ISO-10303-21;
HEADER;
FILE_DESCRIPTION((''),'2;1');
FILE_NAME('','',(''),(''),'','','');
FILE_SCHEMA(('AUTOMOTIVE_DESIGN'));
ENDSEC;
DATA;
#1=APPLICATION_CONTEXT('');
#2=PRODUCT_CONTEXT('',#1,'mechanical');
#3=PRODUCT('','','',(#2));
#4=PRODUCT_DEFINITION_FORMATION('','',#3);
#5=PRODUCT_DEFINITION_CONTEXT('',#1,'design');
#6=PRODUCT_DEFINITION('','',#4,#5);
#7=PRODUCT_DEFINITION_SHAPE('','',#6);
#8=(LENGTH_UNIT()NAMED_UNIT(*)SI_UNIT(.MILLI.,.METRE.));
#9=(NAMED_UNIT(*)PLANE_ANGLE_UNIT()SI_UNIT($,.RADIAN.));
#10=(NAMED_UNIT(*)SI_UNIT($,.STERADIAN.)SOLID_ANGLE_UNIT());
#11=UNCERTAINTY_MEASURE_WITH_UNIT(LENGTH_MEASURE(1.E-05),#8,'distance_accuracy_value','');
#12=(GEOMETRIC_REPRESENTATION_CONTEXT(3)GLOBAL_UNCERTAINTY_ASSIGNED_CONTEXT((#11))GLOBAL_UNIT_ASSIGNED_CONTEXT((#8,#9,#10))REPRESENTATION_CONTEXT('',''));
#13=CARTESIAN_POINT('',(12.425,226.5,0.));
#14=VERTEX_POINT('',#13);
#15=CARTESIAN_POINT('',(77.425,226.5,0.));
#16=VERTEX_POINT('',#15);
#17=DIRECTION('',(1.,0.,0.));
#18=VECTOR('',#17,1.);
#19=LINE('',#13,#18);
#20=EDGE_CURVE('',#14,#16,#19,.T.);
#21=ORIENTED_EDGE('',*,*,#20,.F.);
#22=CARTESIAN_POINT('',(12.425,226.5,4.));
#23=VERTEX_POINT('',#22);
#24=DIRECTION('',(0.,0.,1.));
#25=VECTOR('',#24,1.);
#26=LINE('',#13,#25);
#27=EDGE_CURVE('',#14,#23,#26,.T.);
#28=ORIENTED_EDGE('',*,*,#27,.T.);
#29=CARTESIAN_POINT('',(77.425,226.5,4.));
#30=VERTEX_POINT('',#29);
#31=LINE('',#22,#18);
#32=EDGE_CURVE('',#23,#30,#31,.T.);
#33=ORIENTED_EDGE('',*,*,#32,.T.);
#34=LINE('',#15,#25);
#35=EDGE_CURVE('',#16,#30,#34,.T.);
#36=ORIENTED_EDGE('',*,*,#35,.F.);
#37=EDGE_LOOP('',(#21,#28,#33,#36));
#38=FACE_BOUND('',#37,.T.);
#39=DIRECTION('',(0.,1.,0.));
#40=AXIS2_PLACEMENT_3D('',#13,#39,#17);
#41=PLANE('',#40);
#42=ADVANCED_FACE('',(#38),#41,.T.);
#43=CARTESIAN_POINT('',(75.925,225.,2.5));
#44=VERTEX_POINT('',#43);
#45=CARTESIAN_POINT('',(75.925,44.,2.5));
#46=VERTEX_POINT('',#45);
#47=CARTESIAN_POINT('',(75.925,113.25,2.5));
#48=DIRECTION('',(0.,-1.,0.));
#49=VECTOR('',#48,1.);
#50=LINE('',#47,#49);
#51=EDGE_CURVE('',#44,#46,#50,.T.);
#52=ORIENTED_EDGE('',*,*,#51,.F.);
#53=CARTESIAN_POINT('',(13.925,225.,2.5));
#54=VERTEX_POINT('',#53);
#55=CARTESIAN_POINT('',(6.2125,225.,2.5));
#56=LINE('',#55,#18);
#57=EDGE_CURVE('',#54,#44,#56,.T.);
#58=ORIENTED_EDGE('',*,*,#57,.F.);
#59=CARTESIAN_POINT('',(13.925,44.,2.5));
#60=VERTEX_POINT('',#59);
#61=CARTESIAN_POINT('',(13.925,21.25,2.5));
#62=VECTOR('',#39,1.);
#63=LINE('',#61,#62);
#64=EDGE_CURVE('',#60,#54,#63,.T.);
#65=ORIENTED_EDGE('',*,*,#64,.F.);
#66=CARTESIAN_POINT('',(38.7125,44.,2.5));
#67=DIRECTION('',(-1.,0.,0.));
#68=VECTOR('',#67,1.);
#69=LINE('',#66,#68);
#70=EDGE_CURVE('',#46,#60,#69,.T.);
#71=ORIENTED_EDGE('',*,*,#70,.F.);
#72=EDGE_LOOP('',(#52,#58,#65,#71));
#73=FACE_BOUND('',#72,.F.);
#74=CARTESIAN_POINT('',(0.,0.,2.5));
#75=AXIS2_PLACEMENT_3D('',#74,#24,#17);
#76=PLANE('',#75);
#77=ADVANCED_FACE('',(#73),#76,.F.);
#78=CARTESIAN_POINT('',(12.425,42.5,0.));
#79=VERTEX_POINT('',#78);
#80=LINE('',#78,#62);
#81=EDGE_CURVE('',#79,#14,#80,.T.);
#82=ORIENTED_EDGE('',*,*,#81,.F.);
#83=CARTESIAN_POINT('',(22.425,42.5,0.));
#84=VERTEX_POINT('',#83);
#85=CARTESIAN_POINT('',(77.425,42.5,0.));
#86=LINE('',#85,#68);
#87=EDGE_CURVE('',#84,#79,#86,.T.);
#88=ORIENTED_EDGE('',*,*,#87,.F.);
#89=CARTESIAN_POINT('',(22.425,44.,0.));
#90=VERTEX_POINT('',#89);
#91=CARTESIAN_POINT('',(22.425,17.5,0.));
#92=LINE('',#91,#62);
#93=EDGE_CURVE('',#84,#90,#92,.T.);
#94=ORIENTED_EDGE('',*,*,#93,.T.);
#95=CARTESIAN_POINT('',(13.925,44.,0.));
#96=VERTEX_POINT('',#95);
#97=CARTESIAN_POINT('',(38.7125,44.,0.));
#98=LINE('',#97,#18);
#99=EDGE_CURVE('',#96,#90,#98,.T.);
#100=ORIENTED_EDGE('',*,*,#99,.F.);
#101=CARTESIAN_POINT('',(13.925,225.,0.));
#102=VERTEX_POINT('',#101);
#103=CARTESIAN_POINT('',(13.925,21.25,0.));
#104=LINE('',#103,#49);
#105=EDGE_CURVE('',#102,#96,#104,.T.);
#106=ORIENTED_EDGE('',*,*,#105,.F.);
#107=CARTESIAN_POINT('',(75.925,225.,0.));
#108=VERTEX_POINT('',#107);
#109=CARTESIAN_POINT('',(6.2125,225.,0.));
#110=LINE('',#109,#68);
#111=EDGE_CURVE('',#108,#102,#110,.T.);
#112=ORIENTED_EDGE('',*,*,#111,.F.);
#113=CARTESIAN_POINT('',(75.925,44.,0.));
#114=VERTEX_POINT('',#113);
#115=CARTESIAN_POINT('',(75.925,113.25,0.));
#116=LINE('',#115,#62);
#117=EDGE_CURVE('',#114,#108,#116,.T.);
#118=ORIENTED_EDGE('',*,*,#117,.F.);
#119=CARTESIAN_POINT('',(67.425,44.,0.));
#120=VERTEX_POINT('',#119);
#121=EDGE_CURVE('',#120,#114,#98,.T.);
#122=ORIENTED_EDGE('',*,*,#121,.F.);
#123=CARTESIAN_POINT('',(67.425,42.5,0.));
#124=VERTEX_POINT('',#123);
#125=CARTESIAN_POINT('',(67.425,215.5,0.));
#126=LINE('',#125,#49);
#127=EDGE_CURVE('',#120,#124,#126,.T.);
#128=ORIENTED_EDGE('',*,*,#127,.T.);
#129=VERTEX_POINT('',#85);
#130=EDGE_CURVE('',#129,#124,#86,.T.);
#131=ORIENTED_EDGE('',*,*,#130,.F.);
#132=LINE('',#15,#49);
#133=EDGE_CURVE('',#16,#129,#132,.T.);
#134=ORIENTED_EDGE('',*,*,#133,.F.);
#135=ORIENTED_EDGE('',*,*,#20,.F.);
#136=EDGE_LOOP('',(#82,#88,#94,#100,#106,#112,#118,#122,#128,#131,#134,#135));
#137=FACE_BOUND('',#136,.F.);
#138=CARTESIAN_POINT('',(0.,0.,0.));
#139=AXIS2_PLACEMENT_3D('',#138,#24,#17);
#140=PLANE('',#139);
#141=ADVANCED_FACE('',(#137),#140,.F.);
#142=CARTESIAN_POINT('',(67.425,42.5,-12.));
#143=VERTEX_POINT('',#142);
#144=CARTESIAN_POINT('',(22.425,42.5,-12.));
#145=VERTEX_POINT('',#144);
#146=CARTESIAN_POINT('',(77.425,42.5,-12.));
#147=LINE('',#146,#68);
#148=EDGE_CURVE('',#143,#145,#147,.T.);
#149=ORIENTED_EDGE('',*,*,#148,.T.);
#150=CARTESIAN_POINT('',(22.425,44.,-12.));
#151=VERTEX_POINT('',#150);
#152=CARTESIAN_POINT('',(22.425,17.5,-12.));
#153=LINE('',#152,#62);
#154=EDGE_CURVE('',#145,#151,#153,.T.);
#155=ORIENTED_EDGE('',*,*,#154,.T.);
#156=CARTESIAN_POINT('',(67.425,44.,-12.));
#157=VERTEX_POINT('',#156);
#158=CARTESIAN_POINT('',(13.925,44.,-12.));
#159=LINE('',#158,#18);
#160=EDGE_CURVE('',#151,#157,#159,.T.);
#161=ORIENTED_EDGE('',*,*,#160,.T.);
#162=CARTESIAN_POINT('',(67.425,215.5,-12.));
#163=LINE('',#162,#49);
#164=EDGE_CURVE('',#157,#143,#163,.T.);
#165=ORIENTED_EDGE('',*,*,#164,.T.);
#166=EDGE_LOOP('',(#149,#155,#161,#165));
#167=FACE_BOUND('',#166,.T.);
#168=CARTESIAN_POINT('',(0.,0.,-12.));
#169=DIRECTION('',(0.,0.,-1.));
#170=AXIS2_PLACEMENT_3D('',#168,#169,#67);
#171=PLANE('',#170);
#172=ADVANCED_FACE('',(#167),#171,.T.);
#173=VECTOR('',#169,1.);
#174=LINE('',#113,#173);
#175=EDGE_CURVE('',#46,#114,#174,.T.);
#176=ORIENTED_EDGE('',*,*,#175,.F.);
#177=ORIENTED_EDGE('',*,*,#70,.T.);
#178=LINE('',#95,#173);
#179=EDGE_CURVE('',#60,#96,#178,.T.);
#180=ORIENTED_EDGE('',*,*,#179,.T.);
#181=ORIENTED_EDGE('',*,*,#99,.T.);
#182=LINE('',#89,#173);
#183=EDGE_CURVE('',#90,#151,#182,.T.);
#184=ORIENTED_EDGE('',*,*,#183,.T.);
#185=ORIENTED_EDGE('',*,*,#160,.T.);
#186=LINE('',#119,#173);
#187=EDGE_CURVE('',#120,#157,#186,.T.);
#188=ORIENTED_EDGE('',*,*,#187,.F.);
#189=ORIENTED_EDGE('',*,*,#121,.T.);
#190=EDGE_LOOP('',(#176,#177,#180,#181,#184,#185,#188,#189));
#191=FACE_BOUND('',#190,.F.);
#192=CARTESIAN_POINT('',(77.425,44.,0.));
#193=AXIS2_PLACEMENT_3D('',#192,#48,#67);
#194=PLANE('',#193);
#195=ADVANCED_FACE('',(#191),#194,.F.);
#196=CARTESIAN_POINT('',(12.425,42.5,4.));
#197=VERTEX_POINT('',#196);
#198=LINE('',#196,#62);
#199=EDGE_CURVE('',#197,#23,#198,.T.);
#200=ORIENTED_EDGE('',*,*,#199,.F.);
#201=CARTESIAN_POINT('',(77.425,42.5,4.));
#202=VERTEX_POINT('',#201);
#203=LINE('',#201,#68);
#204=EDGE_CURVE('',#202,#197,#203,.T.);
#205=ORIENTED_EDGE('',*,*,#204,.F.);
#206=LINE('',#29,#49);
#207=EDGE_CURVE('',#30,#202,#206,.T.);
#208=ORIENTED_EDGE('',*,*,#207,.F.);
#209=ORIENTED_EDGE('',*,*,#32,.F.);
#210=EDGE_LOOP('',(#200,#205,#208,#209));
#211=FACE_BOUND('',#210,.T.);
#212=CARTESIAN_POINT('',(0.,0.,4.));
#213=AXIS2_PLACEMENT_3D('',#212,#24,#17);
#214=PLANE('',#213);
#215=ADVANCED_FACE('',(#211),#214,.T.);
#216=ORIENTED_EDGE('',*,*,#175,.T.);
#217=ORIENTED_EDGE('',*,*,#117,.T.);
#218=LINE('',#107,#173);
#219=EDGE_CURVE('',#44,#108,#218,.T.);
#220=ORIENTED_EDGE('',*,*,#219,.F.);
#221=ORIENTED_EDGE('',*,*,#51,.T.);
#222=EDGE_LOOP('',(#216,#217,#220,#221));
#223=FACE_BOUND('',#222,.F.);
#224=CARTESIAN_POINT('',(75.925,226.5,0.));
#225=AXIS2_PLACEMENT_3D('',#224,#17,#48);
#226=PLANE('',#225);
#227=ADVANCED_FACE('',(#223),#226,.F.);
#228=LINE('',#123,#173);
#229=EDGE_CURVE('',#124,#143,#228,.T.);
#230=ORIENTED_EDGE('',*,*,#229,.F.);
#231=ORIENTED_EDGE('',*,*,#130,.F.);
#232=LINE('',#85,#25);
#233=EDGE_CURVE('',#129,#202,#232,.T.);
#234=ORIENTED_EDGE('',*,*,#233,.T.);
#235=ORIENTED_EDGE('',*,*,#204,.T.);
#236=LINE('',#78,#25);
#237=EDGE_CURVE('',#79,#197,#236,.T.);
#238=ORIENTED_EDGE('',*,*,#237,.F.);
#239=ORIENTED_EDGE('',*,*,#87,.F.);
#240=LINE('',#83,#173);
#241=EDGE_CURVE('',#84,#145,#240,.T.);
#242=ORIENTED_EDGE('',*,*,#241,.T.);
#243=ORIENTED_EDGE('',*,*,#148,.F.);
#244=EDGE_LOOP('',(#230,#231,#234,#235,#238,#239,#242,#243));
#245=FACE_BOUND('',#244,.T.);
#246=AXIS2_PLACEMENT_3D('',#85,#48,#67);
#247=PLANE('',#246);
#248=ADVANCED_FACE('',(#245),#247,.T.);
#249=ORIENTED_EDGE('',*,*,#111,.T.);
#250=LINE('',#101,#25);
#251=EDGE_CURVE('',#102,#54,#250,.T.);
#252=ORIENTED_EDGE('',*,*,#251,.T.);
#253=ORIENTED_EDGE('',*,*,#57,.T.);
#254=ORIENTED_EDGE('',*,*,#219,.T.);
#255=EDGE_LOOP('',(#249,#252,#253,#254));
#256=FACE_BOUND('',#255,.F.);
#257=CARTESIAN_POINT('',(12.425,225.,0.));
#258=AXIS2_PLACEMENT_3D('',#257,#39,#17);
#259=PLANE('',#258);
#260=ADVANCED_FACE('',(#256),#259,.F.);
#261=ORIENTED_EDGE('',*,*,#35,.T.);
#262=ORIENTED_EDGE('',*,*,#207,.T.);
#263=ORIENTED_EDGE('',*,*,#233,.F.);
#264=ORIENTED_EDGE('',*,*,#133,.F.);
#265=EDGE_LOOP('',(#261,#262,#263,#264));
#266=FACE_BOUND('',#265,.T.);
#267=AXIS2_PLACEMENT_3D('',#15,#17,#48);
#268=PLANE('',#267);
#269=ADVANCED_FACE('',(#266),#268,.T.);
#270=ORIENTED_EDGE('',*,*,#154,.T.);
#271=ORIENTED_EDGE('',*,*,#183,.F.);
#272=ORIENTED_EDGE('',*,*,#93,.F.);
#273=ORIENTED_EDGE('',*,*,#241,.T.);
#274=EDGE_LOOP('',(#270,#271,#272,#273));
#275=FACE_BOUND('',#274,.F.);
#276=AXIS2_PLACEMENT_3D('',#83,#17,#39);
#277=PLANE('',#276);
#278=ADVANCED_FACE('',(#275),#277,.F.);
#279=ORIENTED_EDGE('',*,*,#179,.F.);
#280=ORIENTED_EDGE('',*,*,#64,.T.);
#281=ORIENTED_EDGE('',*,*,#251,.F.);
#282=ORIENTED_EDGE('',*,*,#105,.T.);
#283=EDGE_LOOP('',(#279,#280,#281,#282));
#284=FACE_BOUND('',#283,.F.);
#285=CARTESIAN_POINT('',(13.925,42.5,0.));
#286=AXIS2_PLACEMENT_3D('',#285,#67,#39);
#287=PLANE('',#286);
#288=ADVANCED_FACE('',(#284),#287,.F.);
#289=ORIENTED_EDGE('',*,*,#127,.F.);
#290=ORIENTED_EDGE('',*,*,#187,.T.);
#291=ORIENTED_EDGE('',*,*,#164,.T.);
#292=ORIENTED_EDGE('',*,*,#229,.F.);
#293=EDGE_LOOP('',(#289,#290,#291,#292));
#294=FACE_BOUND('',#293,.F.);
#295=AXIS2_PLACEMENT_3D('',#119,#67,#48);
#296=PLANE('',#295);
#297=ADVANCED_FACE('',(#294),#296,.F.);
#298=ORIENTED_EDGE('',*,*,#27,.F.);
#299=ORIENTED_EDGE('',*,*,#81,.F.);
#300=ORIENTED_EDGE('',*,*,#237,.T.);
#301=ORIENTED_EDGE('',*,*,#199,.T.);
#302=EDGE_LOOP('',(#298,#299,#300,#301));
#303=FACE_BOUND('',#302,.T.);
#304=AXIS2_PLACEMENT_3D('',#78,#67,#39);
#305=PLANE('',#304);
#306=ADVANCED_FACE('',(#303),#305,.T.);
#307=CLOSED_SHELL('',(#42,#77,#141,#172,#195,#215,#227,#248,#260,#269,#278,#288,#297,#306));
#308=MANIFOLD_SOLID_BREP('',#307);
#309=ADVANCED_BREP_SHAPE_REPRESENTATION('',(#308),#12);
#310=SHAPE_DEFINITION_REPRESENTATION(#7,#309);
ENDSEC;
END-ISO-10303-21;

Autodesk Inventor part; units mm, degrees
ref_plane "YZ Plane" through (0, 0, 0) normal (1, 0, 0) x (0, 1, 0)
ref_plane "XZ Plane" through (0, 0, 0) normal (0, 1, 0) x (-1, 0, 0)
sketch "Szkic1" plane through (0, 0, 0) normal (0, 0, 1) x (1, 0, 0)
  line L0 (12.425, 226.5) -> (77.425, 226.5)
  line L1 (77.425, 226.5) -> (77.425, 42.5)
  line L2 (77.425, 42.5) -> (12.425, 42.5)
  line L3 (12.425, 42.5) -> (12.425, 226.5)
extrude "Wyciągnięcie proste1" add sketch "Szkic1" along normal blind 4
shell "Skorupa1" thickness 1.5 removed faces 1 at (55.7583, 103.8333, 0)
ref_plane "Płaszczyzna konstrukcyjna1" through (20.925, 15, -12) normal (0, 0, -1) x (0, 1, 0)
sketch "Szkic2" plane through (0, 0, 0) normal (0, 0, -1) x (-1, 0, 0)
  line L0 (-13.925, 44) -> (-75.925, 44)
  line L1 (-77.425, 42.5) -> (-12.425, 42.5)
  line L2 (-22.425, 17.5) -> (-22.425, 215.5)
  arc A0 (-23.425, 16.5) -> (-22.425, 17.5) centre (-23.425, 17.5) ccw
  line L3 (-66.425, 16.5) -> (-23.425, 16.5)
  arc A1 (-67.425, 17.5) -> (-66.425, 16.5) centre (-66.425, 17.5) ccw
  line L4 (-67.425, 215.5) -> (-67.425, 17.5)
  arc A2 (-66.425, 216.5) -> (-67.425, 215.5) centre (-66.425, 215.5) ccw
  line L5 (-23.425, 216.5) -> (-66.425, 216.5)
  arc A3 (-22.425, 215.5) -> (-23.425, 216.5) centre (-23.425, 215.5) ccw
  line L6 (-20.925, 218) -> (-20.925, 15)
  line L7 (-68.925, 218) -> (-20.925, 218)
  line L8 (-68.925, 15) -> (-68.925, 218)
  line L9 (-20.925, 15) -> (-68.925, 15)
  line L10 (-1.5, 236.5) -> (-88.35, 236.5)
  line L11 (-88.35, 0) -> (-88.35, 236.5)
  line L12 (-88.35, 0) -> (-1.5, 0)
  line L13 (-1.5, 0) -> (-1.5, 236.5)
  line L14 (-68.925, 15) -> (-68.925, 218)
  line L15 (-68.925, 218) -> (-20.925, 218)
  line L16 (-20.925, 218) -> (-20.925, 15)
  line L17 (-20.925, 15) -> (-68.925, 15)
  line L18 (-22.425, 17.5) -> (-22.425, 215.5)
  arc A4 (-23.425, 16.5) -> (-22.425, 17.5) centre (-23.425, 17.5) ccw
  line L19 (-66.425, 16.5) -> (-23.425, 16.5)
  arc A5 (-67.425, 17.5) -> (-66.425, 16.5) centre (-66.425, 17.5) ccw
  line L20 (-67.425, 215.5) -> (-67.425, 17.5)
  arc A6 (-66.425, 216.5) -> (-67.425, 215.5) centre (-66.425, 215.5) ccw
  line L21 (-23.425, 216.5) -> (-66.425, 216.5)
  arc A7 (-22.425, 215.5) -> (-23.425, 216.5) centre (-23.425, 215.5) ccw
  line L22 (-20.925, 218) -> (-20.925, 15)
  line L23 (-68.925, 218) -> (-20.925, 218)
  line L24 (-68.925, 15) -> (-68.925, 218)
  line L25 (-20.925, 15) -> (-68.925, 15)
  line L26 (-68.925, 15) -> (-68.925, 218)
  line L27 (-1.5, 236.5) -> (-88.35, 236.5)
  line L28 (-88.35, 0) -> (-88.35, 236.5)
  line L29 (-88.35, 0) -> (-1.5, 0)
  line L30 (-1.5, 0) -> (-1.5, 236.5)
  line L31 (-68.925, 15) -> (-68.925, 218)
  line L32 (-68.925, 218) -> (-20.925, 218)
  line L33 (-20.925, 218) -> (-20.925, 15)
  line L34 (-20.925, 15) -> (-68.925, 15)
  line L35 (-67.425, 44) -> (-22.425, 44)
  line L36 (-22.425, 44) -> (-22.425, 42.5)
  line L37 (-22.425, 42.5) -> (-67.425, 42.5)
  line L38 (-67.425, 42.5) -> (-67.425, 44)
  point P0 (0, 0)
extrude "Wyciągnięcie proste2" add sketch "Szkic2" along normal up to surface (12 mm away) contours L2 L1 L4 L0
properties part number "TYLNA CZARNA OBUDOWA STOJAKA" material "Tworzywo sztuczne, nieprzezroczyste czarne"
